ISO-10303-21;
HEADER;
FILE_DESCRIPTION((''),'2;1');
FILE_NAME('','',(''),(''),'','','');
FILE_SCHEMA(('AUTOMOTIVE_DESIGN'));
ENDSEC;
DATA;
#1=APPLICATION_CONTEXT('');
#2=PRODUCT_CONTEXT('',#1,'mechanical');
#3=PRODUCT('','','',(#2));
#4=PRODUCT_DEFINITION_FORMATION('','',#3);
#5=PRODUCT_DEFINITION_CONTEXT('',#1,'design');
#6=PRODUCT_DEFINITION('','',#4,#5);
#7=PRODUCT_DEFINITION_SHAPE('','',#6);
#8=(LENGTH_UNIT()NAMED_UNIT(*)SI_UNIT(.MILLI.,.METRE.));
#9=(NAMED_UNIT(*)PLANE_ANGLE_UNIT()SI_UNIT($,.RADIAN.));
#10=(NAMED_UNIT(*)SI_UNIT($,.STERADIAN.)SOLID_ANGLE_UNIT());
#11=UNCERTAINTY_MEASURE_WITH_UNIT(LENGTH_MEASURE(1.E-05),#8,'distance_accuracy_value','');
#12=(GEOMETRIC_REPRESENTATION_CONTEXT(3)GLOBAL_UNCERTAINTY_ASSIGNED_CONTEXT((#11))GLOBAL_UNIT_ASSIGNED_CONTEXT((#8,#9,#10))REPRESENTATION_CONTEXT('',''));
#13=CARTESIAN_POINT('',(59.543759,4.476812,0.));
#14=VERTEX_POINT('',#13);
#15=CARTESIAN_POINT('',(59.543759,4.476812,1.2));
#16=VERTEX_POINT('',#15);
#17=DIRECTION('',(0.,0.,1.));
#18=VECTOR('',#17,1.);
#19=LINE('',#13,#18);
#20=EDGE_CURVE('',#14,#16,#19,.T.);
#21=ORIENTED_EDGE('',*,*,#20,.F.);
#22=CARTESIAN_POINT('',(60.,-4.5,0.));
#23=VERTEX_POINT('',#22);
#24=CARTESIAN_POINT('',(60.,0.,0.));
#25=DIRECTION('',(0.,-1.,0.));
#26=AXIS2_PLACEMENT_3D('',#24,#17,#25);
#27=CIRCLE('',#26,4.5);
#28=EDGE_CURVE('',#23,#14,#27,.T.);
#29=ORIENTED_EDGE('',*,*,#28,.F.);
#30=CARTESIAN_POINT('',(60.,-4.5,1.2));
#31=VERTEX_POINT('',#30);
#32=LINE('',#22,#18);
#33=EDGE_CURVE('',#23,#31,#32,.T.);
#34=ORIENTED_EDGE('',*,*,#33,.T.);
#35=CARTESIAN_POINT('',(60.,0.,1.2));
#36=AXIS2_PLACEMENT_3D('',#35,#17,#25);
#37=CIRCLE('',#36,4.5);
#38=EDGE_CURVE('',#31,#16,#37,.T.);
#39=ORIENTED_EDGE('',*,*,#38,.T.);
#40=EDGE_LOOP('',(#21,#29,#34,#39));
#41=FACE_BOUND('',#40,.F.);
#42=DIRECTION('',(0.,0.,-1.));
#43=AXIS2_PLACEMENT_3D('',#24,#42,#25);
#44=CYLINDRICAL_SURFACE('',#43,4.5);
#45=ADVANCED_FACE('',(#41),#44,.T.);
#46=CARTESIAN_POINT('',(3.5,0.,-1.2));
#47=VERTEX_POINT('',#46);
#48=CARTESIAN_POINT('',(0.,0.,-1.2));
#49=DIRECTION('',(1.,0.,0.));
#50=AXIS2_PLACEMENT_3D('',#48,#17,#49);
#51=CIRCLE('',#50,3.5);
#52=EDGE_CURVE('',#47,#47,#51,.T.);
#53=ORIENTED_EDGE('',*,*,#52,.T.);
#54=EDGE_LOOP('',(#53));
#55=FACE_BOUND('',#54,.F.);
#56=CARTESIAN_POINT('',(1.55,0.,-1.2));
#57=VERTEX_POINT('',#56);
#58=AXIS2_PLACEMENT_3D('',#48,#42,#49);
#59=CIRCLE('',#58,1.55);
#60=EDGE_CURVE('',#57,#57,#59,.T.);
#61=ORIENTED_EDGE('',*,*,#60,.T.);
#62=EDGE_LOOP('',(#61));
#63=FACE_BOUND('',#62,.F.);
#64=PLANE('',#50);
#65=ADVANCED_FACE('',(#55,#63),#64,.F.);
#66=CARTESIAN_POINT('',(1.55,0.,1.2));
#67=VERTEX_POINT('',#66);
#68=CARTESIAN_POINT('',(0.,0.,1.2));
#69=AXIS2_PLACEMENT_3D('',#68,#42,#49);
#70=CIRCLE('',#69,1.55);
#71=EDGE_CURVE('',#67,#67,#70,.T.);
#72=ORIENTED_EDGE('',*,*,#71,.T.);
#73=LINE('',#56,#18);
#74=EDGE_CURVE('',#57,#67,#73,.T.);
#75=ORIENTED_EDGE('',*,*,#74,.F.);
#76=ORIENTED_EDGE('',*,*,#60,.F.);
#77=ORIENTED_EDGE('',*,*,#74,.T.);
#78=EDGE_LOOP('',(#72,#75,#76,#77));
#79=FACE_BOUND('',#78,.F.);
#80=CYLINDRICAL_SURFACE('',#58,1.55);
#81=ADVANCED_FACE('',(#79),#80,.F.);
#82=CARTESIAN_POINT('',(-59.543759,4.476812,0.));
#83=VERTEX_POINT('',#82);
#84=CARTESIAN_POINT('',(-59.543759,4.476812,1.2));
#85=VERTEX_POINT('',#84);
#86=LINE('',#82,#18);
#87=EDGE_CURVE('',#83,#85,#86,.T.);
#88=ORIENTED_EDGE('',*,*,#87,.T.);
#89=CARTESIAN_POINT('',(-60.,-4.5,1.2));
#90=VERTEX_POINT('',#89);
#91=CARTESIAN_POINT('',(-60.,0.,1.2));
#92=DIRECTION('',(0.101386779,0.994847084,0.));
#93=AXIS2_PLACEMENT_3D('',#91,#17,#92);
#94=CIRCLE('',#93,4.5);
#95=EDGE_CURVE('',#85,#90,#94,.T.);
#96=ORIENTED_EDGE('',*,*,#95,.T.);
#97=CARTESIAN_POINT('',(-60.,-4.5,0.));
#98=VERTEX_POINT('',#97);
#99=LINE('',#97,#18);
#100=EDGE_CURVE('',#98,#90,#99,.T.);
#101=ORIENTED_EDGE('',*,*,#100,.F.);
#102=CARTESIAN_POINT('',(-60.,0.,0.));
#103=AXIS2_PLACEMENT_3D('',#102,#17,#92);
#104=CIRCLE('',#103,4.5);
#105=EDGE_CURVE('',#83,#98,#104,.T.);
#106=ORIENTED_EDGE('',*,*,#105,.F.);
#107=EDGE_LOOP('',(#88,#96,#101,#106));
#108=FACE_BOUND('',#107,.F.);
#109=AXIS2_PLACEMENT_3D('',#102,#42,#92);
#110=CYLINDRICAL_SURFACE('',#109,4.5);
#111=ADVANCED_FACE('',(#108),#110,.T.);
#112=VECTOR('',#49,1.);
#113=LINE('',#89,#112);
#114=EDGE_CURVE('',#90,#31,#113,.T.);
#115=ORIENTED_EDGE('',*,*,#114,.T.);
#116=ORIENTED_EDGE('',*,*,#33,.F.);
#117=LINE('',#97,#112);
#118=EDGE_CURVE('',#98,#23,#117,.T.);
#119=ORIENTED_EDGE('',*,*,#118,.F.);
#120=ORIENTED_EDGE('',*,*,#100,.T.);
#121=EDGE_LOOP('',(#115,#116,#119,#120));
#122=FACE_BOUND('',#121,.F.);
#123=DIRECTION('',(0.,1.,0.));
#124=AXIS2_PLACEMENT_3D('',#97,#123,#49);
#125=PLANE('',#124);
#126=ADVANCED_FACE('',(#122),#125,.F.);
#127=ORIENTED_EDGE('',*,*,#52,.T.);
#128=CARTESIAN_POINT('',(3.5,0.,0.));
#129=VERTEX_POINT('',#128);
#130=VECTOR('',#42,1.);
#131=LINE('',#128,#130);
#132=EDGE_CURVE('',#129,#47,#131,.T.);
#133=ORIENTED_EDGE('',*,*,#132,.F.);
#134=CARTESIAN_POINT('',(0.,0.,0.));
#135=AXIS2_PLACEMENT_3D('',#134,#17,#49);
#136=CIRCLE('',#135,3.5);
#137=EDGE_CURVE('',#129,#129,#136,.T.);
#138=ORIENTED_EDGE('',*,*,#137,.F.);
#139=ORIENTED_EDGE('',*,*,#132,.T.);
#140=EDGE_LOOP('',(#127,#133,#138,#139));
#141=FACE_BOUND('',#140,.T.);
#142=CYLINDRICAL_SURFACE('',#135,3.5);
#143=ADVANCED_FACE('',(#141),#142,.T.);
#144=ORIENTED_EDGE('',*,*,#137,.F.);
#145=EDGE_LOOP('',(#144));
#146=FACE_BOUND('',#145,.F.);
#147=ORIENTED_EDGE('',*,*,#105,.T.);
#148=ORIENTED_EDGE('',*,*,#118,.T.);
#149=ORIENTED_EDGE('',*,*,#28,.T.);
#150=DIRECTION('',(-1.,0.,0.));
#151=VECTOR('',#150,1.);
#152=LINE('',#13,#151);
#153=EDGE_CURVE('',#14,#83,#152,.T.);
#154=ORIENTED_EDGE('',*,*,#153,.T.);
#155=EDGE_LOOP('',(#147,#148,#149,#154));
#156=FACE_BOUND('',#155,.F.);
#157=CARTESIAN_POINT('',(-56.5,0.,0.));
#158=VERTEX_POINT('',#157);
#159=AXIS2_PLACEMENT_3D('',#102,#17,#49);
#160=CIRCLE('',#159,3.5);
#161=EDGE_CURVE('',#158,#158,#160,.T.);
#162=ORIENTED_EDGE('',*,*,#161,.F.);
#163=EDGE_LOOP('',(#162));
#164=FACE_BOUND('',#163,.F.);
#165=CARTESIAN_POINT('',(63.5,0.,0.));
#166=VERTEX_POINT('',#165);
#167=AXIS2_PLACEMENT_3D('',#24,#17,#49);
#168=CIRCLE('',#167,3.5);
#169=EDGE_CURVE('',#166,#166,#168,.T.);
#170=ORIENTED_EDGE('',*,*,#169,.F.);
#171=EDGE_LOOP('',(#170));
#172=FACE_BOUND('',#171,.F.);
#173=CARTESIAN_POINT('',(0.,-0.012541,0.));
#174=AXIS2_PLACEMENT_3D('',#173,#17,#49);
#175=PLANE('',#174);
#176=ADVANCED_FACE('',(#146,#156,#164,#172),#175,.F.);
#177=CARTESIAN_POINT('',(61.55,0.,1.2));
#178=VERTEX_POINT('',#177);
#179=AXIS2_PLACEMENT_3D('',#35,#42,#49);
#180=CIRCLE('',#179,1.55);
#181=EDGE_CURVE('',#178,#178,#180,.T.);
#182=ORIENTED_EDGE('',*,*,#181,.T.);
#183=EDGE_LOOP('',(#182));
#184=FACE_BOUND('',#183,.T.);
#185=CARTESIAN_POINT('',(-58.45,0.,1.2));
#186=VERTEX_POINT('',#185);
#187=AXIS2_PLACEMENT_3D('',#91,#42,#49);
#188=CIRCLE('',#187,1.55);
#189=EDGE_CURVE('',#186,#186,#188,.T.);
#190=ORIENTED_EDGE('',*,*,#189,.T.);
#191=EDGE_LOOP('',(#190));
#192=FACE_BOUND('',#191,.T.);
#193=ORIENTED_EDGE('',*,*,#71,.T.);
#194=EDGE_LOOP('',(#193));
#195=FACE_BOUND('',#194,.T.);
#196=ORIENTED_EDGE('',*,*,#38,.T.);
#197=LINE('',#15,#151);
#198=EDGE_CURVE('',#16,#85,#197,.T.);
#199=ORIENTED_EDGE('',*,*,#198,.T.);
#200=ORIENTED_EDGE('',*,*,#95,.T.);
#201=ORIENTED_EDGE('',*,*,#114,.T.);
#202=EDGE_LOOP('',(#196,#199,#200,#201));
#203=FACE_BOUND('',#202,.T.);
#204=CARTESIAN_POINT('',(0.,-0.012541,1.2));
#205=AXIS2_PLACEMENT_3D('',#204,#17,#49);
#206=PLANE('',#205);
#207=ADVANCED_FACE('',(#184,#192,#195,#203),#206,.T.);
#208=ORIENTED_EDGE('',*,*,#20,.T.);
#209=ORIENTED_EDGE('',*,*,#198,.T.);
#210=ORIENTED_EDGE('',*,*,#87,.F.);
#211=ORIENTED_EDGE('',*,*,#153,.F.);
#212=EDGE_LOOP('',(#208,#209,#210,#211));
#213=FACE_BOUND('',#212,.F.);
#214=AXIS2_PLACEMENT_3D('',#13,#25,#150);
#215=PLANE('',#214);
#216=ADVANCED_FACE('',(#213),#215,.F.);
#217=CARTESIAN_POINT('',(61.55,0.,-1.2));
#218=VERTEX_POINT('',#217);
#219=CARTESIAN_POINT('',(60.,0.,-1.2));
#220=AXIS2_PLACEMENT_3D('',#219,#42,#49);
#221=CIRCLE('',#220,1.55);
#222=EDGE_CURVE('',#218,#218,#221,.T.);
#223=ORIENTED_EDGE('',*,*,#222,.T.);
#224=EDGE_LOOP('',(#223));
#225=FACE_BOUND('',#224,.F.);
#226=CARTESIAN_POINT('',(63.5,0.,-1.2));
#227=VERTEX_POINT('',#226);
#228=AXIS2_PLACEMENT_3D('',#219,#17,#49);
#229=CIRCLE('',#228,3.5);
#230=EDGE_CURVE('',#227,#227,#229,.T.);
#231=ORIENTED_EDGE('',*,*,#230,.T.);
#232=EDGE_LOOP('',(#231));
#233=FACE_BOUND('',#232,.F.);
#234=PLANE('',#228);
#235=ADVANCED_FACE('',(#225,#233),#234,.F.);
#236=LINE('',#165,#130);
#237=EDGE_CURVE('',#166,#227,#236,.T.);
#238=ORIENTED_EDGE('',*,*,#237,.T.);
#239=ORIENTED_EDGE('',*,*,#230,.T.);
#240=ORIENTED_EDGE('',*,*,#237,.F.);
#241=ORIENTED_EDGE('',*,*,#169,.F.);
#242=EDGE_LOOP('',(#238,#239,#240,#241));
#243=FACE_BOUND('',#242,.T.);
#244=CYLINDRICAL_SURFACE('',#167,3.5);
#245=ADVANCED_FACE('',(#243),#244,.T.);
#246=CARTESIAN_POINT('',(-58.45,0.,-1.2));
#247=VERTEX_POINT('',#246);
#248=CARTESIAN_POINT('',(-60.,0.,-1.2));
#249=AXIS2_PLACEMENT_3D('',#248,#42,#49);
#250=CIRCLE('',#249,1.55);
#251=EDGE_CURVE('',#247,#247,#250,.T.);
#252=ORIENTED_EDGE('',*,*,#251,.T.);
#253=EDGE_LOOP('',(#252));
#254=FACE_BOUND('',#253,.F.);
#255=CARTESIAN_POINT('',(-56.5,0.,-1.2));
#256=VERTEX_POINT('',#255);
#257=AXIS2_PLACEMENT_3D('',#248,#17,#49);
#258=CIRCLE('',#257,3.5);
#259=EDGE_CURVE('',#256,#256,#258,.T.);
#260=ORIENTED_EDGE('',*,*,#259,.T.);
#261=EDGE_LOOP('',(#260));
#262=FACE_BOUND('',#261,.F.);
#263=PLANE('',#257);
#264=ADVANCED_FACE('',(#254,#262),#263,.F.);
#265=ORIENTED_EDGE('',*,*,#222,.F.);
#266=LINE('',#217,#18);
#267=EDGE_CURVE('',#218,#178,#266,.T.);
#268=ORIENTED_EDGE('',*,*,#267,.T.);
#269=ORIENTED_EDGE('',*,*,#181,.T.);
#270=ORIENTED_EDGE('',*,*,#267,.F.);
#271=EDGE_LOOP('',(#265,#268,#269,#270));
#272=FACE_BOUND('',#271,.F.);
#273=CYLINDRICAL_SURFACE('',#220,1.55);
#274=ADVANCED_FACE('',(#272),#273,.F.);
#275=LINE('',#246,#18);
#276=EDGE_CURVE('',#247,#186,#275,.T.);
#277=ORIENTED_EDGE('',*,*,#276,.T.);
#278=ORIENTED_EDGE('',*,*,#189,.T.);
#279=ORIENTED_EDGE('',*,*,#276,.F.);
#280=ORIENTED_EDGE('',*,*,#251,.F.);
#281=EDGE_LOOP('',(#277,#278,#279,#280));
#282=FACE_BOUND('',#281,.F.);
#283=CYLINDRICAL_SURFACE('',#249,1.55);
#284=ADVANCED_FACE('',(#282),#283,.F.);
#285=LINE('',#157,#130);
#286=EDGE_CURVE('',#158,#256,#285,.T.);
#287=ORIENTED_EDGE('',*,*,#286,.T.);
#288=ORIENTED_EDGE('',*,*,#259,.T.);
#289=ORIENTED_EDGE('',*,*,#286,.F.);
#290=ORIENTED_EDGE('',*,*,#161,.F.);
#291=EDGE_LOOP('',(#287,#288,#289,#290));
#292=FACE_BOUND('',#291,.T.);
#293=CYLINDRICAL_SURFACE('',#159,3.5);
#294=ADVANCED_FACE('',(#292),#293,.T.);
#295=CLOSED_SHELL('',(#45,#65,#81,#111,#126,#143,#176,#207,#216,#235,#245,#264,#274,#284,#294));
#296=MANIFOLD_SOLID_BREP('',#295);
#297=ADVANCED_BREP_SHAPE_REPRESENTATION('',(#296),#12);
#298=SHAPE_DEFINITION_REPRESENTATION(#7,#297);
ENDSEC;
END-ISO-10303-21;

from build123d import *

# Parameters (mm, degrees)
F1_DEPTH = 1.2
F2_R     = 3.5
F3_DEPTH = 1.2
F4_R     = 1.55
F5_DEPTH = 2.4


with BuildPart() as f1:
    # F0 (on Top) → F1 (new body)
    with BuildSketch(Plane.XY):
        with BuildLine():
            Line((59.5437594947, 4.4768118791), (-59.5437594947, 4.4768118791))
            ThreePointArc((-59.5437594947, 4.4768118791), (-64.494199231, 0.2284146929), (-60, -4.5))
            Line((-60, -4.5), (60, -4.5))
            ThreePointArc((60, -4.5), (64.494199231, 0.2284146929), (59.5437594947, 4.4768118791))
        make_face()
    extrude(amount=F1_DEPTH)

    # F2 (on face) → F3 (join)
    with BuildSketch(Plane.XY):
        with Locations((-60, 0)):
            Circle(F2_R)
        Circle(F2_R)
        with Locations((60, 0)):
            Circle(F2_R)
    extrude(amount=-F3_DEPTH)

    # F4 (on face) → F5 (cut, through all)
    with BuildSketch(Plane(origin=(0, 0, -1.2), x_dir=(1, 0, 0), z_dir=(0, 0, -1))):
        with Locations((60, 0)):
            Circle(F4_R)
        Circle(F4_R)
        with Locations((-60, 0)):
            Circle(F4_R)
    extrude(amount=-F5_DEPTH, mode=Mode.SUBTRACT)


solid = f1.part
